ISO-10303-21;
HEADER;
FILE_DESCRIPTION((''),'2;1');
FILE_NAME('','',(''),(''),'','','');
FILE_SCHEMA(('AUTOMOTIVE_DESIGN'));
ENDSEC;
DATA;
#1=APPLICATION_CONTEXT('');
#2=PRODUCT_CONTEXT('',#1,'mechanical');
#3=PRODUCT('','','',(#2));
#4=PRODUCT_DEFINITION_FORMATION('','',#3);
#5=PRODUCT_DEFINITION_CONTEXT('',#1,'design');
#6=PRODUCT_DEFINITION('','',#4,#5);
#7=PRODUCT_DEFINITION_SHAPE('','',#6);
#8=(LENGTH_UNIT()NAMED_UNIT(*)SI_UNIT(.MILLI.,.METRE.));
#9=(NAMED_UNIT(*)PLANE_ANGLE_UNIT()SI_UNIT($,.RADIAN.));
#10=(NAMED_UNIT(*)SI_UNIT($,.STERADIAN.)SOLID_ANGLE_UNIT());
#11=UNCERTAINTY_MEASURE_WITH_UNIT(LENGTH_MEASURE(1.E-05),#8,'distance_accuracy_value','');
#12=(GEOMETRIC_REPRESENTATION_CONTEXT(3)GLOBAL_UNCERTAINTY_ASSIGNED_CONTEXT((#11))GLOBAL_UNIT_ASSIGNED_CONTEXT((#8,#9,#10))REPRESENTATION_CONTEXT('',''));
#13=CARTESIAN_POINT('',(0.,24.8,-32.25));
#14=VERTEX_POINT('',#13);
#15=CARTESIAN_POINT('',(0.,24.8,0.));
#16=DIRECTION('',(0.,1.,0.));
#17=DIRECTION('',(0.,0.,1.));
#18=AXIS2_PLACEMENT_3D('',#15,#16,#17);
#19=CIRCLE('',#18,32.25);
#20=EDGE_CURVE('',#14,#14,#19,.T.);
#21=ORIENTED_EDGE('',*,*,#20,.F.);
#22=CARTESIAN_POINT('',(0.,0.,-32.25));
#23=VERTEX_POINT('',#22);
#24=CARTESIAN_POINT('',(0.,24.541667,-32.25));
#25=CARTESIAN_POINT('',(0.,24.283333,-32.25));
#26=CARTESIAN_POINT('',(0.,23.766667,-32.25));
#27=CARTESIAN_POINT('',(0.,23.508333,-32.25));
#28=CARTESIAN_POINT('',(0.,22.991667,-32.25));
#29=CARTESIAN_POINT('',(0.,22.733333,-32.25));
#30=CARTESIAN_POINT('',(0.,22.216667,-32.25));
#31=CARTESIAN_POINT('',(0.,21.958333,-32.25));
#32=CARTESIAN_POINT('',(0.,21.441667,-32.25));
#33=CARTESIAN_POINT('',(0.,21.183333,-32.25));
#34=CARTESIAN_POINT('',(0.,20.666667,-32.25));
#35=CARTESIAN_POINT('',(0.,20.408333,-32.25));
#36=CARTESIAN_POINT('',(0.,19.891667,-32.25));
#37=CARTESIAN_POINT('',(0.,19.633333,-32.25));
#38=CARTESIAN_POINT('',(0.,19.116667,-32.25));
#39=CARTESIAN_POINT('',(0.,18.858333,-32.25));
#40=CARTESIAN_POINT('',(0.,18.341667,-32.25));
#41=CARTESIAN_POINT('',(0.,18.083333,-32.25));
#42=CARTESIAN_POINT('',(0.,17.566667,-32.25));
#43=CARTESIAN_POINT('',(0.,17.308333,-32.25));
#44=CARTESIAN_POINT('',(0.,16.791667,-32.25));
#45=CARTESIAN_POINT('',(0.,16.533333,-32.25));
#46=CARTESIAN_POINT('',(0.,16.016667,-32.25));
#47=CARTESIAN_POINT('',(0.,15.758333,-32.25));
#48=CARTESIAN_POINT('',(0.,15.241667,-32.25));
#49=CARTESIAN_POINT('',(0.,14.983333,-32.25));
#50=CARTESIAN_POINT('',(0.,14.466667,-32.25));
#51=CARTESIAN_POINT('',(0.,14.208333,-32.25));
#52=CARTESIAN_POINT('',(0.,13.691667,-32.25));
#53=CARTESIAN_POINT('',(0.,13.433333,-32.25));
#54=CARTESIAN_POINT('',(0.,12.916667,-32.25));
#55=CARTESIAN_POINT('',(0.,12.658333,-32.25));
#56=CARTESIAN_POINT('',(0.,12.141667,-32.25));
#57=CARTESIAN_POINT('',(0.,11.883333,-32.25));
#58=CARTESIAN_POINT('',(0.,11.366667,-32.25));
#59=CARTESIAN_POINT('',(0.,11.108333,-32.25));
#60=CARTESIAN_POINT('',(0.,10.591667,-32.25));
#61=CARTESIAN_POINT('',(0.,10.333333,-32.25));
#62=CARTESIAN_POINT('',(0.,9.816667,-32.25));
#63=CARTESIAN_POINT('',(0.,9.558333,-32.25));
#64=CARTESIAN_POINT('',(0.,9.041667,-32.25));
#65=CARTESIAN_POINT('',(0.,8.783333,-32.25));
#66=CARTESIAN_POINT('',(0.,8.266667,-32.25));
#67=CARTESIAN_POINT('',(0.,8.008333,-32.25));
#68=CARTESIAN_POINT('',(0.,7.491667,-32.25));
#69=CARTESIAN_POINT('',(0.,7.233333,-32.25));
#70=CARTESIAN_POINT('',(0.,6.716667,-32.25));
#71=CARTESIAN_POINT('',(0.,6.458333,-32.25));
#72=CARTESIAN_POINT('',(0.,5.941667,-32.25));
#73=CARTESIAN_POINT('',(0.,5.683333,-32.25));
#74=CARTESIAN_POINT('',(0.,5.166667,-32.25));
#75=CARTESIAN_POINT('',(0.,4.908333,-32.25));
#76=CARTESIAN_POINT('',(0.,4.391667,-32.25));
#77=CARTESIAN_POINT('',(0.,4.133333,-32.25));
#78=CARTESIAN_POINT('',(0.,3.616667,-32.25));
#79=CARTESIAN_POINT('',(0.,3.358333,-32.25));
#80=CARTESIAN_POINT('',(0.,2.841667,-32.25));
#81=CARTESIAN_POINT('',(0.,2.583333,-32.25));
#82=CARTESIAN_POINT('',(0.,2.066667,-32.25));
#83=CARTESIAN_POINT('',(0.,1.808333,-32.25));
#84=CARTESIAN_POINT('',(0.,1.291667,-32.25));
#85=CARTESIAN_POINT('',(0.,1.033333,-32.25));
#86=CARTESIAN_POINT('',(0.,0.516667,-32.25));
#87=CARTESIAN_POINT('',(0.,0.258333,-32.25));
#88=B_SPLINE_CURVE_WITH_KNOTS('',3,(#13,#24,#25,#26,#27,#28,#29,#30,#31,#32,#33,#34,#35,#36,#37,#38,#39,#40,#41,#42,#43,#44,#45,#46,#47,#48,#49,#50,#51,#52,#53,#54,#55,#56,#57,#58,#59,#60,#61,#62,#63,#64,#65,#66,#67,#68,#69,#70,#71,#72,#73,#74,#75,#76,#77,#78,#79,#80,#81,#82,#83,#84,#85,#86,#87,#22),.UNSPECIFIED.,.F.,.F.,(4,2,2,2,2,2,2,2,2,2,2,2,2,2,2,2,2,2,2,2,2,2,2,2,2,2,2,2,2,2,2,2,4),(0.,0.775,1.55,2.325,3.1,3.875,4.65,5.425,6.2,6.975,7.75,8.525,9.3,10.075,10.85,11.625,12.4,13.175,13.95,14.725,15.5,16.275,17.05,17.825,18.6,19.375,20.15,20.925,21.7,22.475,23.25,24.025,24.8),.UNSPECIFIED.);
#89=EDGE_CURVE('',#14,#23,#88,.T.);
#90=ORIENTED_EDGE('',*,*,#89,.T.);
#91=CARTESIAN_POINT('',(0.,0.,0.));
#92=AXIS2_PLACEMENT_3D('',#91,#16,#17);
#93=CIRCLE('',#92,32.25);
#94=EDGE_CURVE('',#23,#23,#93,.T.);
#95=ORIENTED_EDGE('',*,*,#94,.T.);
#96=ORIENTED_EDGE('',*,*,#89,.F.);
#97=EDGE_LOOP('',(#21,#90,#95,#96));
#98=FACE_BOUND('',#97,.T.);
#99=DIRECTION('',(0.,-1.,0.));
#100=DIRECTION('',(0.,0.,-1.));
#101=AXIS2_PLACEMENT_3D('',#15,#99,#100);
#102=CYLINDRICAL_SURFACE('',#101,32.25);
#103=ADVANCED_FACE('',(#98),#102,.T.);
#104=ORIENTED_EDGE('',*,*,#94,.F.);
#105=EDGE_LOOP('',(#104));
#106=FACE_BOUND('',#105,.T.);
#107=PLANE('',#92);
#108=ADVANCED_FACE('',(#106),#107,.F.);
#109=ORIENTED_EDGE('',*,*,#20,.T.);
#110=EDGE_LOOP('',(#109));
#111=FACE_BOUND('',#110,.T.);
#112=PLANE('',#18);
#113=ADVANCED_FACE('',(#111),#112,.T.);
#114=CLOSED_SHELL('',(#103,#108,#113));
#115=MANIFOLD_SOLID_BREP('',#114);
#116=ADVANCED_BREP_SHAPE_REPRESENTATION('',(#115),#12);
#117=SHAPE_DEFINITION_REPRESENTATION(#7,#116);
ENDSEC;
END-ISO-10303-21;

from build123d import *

# Parameters (mm, degrees)
SKETCH_1_R      = 32.25
EXTRUDE_1_DEPTH = 24.8


with BuildPart() as part:
    # 草圖1 → 填料-伸長1 (new body)
    with BuildSketch(Plane(origin=(0, 0, 0), x_dir=(1, 0, 0), z_dir=(0, 1, 0))):
        with Locations(Location((0, 0, 0), (0, 0, 90))):
            Circle(SKETCH_1_R)
    extrude(amount=EXTRUDE_1_DEPTH)


solid = part.part
